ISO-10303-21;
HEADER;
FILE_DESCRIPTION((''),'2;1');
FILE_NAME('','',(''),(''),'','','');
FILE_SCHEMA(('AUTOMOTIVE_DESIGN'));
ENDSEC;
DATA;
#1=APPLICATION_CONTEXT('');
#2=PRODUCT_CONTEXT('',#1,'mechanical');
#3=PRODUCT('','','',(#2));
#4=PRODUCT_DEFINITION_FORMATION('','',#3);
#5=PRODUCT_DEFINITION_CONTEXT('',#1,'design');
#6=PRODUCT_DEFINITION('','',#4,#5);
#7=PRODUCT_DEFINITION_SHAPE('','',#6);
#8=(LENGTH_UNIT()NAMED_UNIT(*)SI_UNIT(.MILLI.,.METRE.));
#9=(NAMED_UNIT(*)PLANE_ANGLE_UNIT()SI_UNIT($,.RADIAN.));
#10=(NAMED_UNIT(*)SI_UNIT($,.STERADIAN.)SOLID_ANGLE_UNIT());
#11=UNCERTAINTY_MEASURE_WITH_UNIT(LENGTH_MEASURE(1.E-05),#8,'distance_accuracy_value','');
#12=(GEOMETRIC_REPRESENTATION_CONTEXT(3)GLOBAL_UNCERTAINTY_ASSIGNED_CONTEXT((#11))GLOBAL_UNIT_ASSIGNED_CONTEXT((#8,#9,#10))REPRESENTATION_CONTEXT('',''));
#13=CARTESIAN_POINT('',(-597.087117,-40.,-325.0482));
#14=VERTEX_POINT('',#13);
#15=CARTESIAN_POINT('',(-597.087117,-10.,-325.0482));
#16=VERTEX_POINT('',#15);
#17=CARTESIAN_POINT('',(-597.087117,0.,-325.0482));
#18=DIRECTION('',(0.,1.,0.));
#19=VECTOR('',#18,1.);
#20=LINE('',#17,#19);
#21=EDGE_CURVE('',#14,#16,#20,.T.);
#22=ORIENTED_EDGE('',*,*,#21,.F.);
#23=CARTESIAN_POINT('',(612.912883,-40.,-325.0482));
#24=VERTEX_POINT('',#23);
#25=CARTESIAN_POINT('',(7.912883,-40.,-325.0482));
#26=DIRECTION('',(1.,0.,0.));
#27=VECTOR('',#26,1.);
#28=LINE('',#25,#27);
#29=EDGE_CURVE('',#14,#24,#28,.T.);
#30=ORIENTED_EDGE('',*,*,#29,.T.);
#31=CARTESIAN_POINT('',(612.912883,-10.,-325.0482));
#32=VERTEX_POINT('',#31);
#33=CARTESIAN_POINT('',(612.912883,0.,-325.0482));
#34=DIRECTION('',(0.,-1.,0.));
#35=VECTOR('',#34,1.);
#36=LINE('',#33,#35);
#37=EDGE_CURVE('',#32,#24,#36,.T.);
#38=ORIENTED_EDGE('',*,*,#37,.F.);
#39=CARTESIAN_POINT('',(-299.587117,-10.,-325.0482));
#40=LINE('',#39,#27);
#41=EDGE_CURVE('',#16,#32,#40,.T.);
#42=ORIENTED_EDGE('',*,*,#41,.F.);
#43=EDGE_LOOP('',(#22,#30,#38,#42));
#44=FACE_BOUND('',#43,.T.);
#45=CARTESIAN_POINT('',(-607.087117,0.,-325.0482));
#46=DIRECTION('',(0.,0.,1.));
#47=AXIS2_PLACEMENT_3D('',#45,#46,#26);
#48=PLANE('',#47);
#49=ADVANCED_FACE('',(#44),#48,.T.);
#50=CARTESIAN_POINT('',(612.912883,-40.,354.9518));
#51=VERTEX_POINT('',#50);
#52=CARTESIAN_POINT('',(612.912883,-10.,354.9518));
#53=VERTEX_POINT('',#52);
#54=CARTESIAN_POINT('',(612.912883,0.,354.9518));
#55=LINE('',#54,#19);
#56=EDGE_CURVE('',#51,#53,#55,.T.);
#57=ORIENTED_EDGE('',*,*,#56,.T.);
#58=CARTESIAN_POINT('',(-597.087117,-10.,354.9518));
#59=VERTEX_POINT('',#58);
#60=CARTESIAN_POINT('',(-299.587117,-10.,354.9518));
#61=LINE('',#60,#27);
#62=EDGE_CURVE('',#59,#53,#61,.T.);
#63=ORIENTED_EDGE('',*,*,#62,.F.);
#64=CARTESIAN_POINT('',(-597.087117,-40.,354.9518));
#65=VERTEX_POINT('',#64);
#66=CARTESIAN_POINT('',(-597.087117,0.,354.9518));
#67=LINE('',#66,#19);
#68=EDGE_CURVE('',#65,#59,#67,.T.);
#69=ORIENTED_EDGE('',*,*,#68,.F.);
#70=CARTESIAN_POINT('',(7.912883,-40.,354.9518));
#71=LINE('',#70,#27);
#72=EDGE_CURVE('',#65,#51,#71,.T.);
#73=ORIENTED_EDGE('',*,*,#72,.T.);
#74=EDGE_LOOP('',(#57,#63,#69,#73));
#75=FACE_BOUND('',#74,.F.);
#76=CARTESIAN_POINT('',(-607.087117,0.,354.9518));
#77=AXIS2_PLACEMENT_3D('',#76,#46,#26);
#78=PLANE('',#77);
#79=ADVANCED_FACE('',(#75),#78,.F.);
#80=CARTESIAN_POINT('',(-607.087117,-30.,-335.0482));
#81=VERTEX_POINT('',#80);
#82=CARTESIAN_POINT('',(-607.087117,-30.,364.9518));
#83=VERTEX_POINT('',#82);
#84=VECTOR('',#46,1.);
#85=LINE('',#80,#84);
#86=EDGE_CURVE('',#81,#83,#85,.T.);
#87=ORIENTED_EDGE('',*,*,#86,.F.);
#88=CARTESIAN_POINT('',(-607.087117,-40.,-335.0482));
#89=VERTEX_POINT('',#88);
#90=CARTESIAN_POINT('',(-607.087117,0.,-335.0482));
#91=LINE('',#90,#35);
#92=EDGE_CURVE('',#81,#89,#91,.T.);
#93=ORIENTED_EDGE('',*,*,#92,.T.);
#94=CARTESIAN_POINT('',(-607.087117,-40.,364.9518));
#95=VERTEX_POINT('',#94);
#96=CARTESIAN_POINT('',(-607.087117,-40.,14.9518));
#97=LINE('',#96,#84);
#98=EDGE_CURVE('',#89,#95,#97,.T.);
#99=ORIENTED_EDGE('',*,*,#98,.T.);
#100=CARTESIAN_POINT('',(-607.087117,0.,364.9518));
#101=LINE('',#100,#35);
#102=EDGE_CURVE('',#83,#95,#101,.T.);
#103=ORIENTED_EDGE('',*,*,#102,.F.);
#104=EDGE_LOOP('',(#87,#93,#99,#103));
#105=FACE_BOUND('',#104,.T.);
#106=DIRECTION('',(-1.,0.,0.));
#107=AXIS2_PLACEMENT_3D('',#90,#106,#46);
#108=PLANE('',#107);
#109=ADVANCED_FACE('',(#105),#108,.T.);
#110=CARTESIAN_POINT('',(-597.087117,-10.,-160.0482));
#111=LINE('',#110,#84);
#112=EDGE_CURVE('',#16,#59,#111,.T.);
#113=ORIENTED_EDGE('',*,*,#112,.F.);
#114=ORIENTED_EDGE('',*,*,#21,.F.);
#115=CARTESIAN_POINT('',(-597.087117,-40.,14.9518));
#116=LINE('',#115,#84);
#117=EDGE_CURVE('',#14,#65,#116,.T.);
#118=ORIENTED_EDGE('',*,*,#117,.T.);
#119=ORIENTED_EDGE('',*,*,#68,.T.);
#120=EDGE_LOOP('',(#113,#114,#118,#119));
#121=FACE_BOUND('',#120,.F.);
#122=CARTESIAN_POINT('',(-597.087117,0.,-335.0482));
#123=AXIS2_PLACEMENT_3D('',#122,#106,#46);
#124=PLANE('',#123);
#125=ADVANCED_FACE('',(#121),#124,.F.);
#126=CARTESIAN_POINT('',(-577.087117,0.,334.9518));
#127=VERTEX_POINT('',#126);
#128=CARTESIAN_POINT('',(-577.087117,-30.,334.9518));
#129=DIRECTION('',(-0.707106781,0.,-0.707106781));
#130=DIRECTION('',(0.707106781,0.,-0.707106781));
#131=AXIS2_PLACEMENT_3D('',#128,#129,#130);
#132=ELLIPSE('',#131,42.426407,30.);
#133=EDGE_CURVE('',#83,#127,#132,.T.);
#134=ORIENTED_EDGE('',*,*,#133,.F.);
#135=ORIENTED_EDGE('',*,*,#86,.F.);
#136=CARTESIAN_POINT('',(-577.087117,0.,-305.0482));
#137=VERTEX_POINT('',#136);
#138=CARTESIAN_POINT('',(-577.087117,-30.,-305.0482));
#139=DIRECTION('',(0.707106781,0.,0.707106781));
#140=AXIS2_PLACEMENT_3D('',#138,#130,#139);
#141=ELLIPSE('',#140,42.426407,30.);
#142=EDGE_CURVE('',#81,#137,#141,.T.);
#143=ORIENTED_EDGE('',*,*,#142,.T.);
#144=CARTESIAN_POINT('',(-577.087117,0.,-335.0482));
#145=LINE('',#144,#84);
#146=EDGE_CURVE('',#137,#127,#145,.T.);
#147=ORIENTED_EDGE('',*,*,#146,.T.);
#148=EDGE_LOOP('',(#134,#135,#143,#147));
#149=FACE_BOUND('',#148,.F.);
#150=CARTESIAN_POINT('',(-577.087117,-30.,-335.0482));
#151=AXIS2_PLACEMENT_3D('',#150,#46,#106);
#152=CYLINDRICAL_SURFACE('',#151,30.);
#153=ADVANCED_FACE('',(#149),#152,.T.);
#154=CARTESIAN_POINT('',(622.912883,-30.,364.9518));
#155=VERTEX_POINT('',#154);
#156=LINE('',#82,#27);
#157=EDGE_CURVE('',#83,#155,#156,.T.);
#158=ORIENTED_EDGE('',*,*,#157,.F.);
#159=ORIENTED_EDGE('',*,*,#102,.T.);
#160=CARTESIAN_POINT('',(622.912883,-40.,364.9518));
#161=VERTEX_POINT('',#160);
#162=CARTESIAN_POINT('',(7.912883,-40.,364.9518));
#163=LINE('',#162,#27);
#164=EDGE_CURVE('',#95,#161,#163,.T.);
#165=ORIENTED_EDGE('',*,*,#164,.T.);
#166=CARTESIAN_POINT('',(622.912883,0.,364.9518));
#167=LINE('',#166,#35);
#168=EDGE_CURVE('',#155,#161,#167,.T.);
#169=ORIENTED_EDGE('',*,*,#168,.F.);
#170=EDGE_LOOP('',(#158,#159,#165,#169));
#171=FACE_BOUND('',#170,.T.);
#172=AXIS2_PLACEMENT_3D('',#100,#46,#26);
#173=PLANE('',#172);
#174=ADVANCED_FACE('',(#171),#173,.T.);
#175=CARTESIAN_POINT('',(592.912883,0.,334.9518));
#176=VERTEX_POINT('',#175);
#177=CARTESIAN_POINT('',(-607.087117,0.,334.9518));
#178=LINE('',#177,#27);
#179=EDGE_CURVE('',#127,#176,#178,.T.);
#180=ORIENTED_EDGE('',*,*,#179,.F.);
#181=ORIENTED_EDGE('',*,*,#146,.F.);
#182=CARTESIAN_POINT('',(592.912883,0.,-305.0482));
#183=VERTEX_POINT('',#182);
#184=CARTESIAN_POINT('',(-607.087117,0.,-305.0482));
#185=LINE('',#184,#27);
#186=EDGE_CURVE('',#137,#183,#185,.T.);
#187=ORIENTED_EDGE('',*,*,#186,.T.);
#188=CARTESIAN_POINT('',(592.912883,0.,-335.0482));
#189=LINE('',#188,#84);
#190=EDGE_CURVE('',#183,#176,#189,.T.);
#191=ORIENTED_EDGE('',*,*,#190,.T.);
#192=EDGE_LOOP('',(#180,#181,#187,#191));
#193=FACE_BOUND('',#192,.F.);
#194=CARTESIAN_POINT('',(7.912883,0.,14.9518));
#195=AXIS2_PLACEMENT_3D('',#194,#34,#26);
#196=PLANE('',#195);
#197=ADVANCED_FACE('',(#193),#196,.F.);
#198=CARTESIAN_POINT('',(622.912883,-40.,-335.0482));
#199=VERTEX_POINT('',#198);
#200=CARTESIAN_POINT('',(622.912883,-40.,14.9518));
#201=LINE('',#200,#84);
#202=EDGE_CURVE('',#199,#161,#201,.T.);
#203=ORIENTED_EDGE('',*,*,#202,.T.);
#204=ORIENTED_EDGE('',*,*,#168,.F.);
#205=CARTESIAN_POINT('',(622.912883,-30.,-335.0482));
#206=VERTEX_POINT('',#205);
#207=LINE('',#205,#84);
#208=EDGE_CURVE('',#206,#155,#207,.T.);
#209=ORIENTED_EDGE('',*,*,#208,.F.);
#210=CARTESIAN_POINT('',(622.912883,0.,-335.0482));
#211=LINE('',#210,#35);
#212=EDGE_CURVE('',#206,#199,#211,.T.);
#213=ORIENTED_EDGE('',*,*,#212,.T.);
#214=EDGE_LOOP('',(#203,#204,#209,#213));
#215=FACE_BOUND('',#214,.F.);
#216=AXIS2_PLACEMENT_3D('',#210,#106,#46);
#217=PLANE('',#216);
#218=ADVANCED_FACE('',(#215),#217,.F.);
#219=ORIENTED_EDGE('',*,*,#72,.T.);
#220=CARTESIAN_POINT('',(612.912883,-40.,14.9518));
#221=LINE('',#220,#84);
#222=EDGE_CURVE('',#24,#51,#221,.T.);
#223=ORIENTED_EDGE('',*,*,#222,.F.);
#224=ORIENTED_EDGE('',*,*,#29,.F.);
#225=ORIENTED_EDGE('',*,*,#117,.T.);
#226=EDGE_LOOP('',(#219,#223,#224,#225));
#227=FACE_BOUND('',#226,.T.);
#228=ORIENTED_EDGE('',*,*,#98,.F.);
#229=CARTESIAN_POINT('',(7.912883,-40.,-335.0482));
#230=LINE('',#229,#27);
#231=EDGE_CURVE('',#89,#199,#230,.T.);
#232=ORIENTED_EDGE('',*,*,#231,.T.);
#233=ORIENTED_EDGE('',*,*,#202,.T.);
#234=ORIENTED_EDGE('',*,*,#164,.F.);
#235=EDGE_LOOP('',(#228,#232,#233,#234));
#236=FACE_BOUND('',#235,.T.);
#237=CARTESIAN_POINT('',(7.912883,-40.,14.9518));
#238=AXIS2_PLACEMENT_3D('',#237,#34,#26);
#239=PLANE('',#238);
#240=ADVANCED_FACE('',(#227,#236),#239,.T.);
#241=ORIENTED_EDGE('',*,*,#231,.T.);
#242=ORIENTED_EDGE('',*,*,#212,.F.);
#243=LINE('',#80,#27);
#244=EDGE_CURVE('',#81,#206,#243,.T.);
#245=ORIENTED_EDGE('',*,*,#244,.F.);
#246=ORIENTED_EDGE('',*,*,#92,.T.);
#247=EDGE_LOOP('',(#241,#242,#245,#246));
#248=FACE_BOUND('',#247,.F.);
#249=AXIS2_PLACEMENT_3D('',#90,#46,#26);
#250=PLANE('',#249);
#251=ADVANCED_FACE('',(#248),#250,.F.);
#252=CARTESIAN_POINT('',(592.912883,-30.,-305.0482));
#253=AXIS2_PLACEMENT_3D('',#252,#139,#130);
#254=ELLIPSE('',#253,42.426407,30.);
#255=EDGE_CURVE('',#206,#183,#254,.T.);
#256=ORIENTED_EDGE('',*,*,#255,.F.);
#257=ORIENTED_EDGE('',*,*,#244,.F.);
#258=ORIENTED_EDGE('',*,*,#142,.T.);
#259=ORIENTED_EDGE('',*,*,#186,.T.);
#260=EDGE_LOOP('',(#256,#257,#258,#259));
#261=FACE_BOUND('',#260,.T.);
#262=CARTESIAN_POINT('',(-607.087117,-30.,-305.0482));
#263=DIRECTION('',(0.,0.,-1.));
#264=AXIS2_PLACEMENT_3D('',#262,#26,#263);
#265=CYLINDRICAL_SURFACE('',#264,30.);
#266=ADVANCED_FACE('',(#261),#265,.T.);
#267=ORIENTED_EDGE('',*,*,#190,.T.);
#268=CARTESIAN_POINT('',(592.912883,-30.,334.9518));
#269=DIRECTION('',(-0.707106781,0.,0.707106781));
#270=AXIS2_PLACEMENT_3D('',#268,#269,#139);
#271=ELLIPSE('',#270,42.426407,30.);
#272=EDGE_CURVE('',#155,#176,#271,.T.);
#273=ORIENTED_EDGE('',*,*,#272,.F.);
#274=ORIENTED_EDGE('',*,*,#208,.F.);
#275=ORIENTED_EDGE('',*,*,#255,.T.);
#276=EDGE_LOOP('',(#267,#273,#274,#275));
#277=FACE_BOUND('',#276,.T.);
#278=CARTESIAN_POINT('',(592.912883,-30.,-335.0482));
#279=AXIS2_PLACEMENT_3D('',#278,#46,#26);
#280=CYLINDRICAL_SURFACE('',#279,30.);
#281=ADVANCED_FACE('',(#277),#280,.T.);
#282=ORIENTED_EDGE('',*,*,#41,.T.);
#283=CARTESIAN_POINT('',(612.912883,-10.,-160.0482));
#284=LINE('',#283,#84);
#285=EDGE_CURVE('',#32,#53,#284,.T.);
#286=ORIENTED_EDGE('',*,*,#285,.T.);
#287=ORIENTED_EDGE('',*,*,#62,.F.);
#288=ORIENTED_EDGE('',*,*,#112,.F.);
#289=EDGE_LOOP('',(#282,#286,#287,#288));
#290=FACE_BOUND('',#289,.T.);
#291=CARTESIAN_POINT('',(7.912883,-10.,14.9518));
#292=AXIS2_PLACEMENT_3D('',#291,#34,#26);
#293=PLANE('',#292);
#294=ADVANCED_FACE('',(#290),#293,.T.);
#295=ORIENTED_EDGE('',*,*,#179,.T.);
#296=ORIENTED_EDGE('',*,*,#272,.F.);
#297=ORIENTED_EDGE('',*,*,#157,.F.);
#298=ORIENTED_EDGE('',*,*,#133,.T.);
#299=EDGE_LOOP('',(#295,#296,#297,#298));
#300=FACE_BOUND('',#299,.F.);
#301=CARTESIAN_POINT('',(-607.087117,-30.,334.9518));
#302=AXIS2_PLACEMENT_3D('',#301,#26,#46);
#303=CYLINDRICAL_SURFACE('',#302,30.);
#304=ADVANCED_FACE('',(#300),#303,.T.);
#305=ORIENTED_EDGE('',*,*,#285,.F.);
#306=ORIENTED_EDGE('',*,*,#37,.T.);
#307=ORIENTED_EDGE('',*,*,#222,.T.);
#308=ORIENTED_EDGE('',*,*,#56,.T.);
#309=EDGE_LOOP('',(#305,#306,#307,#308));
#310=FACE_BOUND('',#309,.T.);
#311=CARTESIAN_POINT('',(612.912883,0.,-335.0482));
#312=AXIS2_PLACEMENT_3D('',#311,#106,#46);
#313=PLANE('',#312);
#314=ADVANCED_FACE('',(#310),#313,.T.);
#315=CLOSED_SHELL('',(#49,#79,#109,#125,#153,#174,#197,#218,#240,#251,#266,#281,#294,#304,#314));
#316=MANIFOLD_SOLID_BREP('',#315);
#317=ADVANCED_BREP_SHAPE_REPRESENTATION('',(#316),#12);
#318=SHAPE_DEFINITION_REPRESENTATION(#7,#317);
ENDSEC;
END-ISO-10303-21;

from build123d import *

# Parameters (mm, degrees)
F0_W     = 1230
F0_H     = 700
F1_DEPTH = 40
F3_T     = -10
F4_R     = 30


with BuildPart() as f1:
    # F0 (on Front) → F1 (new body)
    with BuildSketch(Plane.XZ):
        with Locations((7.912883, 14.9518)):
            Rectangle(F0_W, F0_H)
    extrude(amount=F1_DEPTH)

    # F3
    f3_openings = [f1.faces().sort_by_distance(p)[0] for p in [
        (7.912883, -40, 14.9518),
    ]]
    offset(amount=F3_T, openings=f3_openings)

    # F4
    f4_edges = [f1.edges().sort_by_distance(p)[0] for p in [
        (7.912883, 0, -335.0482),
        (7.912883, 0, 364.9518),
        (-607.087117, 0, 14.9518),
        (622.912883, 0, 14.9518),
    ]]
    fillet(f4_edges, radius=F4_R)


solid = f1.part
